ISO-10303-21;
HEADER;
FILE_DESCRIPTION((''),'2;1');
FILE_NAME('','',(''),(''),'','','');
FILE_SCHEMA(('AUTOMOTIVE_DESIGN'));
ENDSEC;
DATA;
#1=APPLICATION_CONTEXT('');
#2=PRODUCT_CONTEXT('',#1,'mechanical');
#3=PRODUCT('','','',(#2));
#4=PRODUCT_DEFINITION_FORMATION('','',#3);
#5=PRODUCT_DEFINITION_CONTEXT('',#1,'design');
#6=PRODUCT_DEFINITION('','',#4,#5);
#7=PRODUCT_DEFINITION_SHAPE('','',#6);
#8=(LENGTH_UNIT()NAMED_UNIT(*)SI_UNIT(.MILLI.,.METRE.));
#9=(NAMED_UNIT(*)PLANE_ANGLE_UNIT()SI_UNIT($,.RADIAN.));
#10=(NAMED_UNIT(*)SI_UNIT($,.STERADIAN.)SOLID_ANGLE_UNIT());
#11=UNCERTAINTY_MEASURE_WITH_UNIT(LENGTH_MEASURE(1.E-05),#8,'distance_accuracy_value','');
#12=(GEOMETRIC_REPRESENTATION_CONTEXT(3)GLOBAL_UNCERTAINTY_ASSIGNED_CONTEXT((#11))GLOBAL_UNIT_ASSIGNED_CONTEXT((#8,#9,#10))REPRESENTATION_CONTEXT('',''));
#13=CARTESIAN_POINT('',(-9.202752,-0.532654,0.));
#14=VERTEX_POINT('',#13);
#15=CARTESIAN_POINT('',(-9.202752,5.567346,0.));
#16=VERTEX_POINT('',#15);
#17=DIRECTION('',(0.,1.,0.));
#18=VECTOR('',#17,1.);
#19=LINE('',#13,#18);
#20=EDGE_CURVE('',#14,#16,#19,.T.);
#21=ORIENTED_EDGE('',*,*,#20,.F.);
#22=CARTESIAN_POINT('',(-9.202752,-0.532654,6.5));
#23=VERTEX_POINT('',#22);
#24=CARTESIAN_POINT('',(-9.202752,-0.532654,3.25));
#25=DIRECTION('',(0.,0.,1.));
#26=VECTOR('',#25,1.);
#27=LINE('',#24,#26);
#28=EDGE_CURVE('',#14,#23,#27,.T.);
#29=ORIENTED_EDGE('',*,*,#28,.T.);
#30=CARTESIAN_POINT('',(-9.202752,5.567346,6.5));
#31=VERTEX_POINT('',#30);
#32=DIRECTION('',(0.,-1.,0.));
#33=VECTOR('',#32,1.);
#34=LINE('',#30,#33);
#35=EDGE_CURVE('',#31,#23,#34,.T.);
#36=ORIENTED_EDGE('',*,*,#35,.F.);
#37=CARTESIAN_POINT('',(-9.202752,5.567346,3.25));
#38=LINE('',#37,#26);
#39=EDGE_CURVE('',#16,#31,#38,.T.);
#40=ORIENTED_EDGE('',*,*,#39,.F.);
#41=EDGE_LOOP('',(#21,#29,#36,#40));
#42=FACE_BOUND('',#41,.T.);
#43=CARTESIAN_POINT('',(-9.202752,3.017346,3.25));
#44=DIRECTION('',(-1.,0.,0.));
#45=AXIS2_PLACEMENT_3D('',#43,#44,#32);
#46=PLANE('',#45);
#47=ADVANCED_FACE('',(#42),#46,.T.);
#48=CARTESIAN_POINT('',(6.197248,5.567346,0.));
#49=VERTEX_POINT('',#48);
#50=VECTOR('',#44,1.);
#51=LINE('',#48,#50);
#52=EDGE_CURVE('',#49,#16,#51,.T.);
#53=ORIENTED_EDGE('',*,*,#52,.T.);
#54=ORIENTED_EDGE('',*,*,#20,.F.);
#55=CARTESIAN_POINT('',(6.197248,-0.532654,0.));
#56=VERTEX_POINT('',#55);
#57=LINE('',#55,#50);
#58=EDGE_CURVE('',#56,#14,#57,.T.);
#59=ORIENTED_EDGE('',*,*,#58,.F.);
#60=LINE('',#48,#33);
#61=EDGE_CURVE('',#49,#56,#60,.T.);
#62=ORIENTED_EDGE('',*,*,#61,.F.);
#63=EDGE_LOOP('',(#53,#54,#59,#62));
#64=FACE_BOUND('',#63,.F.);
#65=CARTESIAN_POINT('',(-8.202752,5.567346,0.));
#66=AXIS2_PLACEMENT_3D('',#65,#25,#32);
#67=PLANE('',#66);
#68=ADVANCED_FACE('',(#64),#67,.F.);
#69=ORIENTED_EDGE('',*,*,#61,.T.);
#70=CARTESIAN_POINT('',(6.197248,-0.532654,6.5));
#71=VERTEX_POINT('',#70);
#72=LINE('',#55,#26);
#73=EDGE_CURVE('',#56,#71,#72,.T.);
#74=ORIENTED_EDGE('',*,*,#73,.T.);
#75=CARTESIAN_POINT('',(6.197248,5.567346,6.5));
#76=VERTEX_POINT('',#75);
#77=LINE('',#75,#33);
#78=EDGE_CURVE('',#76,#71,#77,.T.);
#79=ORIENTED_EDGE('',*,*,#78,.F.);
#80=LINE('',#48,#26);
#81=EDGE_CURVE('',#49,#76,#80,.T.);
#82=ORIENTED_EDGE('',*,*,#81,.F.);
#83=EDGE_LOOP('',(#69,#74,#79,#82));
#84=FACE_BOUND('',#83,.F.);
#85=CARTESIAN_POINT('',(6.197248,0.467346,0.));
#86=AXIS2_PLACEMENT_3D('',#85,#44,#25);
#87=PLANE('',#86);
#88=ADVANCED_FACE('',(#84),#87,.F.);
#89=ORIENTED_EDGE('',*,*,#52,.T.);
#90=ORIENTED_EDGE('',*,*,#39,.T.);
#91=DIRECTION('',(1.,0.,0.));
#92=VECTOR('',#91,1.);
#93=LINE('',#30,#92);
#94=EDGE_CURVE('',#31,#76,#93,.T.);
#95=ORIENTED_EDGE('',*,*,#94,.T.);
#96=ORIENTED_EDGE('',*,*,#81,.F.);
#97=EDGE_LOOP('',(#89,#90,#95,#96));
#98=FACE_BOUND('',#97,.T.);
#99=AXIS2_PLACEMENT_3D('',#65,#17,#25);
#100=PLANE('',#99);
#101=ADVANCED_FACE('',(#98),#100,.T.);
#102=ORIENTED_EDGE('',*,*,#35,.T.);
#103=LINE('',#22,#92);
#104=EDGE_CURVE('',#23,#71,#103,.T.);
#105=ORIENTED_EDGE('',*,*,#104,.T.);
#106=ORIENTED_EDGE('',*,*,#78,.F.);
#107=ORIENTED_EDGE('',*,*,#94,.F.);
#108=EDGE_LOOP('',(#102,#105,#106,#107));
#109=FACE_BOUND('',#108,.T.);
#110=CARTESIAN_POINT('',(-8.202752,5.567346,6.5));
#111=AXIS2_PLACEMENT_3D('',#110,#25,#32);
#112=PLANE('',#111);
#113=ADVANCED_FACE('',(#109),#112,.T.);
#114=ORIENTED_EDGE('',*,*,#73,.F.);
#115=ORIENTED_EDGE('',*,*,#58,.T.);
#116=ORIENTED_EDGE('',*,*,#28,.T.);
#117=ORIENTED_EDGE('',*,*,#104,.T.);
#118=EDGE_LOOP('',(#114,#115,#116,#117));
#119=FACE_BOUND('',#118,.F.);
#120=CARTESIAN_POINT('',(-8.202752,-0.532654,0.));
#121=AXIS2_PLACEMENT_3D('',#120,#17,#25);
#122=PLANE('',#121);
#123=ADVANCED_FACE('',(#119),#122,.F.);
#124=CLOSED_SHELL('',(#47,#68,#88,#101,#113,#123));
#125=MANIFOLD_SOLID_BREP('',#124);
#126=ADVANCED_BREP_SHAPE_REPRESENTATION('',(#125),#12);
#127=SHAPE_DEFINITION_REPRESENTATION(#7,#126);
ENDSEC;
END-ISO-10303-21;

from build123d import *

# Parameters (mm, degrees)
F6_W      = 13.4
F6_H      = 4.1
F0_DEPTH  = 6.5
F1_DEPTH  = 1
F2_DEPTH  = 1
F4_DEPTH  = 1
F3_W      = 5.1
F3_H      = 6.5
F4_FACE_W = 6.1
F4_FACE_H = 6.5
F7_DEPTH  = 1


with BuildPart() as f0:
    # F6 (on Top) → F0 (new body)
    with BuildSketch(Plane.XY):
        with Locations((-1.5027523041, 2.5173463665)):
            Rectangle(F6_W, F6_H)
    extrude(amount=F0_DEPTH)

    # F1 (add): a face of the model
    f1_faces = [f0.faces().sort_by_distance(p)[0] for p in [
        (-1.5027523041, 4.5673463665, 3.25),
    ]]
    extrude(f1_faces, amount=F1_DEPTH)

    # F2 (add): a face of the model
    f2_faces = [f0.faces().sort_by_distance(p)[0] for p in [
        (5.1972476959, 3.0173463665, 3.25),
    ]]
    extrude(f2_faces, amount=F2_DEPTH)

    # F4 (add): a face of the model
    f4_faces = [f0.faces().sort_by_distance(p)[0] for p in [
        (-1.0027523041, 0.4673463665, 3.25),
    ]]
    extrude(f4_faces, amount=F4_DEPTH)

    # F3 (on face) + F4_face (on face) → F7 (join)
    with BuildSketch(Plane(origin=(-8.2027523041, 0, 0), x_dir=(0, -1, 0), z_dir=(-1, 0, 0))):
        with Locations((-3.0173463665, 3.25)):
            Rectangle(F3_W, F3_H)
    with BuildSketch(Plane(origin=(-8.2027523041, 2.5173463665, 3.25), x_dir=(0, -1, 0), z_dir=(-1, 0, 0))):
        Rectangle(F4_FACE_W, F4_FACE_H)
    extrude(amount=F7_DEPTH)


solid = f0.part
